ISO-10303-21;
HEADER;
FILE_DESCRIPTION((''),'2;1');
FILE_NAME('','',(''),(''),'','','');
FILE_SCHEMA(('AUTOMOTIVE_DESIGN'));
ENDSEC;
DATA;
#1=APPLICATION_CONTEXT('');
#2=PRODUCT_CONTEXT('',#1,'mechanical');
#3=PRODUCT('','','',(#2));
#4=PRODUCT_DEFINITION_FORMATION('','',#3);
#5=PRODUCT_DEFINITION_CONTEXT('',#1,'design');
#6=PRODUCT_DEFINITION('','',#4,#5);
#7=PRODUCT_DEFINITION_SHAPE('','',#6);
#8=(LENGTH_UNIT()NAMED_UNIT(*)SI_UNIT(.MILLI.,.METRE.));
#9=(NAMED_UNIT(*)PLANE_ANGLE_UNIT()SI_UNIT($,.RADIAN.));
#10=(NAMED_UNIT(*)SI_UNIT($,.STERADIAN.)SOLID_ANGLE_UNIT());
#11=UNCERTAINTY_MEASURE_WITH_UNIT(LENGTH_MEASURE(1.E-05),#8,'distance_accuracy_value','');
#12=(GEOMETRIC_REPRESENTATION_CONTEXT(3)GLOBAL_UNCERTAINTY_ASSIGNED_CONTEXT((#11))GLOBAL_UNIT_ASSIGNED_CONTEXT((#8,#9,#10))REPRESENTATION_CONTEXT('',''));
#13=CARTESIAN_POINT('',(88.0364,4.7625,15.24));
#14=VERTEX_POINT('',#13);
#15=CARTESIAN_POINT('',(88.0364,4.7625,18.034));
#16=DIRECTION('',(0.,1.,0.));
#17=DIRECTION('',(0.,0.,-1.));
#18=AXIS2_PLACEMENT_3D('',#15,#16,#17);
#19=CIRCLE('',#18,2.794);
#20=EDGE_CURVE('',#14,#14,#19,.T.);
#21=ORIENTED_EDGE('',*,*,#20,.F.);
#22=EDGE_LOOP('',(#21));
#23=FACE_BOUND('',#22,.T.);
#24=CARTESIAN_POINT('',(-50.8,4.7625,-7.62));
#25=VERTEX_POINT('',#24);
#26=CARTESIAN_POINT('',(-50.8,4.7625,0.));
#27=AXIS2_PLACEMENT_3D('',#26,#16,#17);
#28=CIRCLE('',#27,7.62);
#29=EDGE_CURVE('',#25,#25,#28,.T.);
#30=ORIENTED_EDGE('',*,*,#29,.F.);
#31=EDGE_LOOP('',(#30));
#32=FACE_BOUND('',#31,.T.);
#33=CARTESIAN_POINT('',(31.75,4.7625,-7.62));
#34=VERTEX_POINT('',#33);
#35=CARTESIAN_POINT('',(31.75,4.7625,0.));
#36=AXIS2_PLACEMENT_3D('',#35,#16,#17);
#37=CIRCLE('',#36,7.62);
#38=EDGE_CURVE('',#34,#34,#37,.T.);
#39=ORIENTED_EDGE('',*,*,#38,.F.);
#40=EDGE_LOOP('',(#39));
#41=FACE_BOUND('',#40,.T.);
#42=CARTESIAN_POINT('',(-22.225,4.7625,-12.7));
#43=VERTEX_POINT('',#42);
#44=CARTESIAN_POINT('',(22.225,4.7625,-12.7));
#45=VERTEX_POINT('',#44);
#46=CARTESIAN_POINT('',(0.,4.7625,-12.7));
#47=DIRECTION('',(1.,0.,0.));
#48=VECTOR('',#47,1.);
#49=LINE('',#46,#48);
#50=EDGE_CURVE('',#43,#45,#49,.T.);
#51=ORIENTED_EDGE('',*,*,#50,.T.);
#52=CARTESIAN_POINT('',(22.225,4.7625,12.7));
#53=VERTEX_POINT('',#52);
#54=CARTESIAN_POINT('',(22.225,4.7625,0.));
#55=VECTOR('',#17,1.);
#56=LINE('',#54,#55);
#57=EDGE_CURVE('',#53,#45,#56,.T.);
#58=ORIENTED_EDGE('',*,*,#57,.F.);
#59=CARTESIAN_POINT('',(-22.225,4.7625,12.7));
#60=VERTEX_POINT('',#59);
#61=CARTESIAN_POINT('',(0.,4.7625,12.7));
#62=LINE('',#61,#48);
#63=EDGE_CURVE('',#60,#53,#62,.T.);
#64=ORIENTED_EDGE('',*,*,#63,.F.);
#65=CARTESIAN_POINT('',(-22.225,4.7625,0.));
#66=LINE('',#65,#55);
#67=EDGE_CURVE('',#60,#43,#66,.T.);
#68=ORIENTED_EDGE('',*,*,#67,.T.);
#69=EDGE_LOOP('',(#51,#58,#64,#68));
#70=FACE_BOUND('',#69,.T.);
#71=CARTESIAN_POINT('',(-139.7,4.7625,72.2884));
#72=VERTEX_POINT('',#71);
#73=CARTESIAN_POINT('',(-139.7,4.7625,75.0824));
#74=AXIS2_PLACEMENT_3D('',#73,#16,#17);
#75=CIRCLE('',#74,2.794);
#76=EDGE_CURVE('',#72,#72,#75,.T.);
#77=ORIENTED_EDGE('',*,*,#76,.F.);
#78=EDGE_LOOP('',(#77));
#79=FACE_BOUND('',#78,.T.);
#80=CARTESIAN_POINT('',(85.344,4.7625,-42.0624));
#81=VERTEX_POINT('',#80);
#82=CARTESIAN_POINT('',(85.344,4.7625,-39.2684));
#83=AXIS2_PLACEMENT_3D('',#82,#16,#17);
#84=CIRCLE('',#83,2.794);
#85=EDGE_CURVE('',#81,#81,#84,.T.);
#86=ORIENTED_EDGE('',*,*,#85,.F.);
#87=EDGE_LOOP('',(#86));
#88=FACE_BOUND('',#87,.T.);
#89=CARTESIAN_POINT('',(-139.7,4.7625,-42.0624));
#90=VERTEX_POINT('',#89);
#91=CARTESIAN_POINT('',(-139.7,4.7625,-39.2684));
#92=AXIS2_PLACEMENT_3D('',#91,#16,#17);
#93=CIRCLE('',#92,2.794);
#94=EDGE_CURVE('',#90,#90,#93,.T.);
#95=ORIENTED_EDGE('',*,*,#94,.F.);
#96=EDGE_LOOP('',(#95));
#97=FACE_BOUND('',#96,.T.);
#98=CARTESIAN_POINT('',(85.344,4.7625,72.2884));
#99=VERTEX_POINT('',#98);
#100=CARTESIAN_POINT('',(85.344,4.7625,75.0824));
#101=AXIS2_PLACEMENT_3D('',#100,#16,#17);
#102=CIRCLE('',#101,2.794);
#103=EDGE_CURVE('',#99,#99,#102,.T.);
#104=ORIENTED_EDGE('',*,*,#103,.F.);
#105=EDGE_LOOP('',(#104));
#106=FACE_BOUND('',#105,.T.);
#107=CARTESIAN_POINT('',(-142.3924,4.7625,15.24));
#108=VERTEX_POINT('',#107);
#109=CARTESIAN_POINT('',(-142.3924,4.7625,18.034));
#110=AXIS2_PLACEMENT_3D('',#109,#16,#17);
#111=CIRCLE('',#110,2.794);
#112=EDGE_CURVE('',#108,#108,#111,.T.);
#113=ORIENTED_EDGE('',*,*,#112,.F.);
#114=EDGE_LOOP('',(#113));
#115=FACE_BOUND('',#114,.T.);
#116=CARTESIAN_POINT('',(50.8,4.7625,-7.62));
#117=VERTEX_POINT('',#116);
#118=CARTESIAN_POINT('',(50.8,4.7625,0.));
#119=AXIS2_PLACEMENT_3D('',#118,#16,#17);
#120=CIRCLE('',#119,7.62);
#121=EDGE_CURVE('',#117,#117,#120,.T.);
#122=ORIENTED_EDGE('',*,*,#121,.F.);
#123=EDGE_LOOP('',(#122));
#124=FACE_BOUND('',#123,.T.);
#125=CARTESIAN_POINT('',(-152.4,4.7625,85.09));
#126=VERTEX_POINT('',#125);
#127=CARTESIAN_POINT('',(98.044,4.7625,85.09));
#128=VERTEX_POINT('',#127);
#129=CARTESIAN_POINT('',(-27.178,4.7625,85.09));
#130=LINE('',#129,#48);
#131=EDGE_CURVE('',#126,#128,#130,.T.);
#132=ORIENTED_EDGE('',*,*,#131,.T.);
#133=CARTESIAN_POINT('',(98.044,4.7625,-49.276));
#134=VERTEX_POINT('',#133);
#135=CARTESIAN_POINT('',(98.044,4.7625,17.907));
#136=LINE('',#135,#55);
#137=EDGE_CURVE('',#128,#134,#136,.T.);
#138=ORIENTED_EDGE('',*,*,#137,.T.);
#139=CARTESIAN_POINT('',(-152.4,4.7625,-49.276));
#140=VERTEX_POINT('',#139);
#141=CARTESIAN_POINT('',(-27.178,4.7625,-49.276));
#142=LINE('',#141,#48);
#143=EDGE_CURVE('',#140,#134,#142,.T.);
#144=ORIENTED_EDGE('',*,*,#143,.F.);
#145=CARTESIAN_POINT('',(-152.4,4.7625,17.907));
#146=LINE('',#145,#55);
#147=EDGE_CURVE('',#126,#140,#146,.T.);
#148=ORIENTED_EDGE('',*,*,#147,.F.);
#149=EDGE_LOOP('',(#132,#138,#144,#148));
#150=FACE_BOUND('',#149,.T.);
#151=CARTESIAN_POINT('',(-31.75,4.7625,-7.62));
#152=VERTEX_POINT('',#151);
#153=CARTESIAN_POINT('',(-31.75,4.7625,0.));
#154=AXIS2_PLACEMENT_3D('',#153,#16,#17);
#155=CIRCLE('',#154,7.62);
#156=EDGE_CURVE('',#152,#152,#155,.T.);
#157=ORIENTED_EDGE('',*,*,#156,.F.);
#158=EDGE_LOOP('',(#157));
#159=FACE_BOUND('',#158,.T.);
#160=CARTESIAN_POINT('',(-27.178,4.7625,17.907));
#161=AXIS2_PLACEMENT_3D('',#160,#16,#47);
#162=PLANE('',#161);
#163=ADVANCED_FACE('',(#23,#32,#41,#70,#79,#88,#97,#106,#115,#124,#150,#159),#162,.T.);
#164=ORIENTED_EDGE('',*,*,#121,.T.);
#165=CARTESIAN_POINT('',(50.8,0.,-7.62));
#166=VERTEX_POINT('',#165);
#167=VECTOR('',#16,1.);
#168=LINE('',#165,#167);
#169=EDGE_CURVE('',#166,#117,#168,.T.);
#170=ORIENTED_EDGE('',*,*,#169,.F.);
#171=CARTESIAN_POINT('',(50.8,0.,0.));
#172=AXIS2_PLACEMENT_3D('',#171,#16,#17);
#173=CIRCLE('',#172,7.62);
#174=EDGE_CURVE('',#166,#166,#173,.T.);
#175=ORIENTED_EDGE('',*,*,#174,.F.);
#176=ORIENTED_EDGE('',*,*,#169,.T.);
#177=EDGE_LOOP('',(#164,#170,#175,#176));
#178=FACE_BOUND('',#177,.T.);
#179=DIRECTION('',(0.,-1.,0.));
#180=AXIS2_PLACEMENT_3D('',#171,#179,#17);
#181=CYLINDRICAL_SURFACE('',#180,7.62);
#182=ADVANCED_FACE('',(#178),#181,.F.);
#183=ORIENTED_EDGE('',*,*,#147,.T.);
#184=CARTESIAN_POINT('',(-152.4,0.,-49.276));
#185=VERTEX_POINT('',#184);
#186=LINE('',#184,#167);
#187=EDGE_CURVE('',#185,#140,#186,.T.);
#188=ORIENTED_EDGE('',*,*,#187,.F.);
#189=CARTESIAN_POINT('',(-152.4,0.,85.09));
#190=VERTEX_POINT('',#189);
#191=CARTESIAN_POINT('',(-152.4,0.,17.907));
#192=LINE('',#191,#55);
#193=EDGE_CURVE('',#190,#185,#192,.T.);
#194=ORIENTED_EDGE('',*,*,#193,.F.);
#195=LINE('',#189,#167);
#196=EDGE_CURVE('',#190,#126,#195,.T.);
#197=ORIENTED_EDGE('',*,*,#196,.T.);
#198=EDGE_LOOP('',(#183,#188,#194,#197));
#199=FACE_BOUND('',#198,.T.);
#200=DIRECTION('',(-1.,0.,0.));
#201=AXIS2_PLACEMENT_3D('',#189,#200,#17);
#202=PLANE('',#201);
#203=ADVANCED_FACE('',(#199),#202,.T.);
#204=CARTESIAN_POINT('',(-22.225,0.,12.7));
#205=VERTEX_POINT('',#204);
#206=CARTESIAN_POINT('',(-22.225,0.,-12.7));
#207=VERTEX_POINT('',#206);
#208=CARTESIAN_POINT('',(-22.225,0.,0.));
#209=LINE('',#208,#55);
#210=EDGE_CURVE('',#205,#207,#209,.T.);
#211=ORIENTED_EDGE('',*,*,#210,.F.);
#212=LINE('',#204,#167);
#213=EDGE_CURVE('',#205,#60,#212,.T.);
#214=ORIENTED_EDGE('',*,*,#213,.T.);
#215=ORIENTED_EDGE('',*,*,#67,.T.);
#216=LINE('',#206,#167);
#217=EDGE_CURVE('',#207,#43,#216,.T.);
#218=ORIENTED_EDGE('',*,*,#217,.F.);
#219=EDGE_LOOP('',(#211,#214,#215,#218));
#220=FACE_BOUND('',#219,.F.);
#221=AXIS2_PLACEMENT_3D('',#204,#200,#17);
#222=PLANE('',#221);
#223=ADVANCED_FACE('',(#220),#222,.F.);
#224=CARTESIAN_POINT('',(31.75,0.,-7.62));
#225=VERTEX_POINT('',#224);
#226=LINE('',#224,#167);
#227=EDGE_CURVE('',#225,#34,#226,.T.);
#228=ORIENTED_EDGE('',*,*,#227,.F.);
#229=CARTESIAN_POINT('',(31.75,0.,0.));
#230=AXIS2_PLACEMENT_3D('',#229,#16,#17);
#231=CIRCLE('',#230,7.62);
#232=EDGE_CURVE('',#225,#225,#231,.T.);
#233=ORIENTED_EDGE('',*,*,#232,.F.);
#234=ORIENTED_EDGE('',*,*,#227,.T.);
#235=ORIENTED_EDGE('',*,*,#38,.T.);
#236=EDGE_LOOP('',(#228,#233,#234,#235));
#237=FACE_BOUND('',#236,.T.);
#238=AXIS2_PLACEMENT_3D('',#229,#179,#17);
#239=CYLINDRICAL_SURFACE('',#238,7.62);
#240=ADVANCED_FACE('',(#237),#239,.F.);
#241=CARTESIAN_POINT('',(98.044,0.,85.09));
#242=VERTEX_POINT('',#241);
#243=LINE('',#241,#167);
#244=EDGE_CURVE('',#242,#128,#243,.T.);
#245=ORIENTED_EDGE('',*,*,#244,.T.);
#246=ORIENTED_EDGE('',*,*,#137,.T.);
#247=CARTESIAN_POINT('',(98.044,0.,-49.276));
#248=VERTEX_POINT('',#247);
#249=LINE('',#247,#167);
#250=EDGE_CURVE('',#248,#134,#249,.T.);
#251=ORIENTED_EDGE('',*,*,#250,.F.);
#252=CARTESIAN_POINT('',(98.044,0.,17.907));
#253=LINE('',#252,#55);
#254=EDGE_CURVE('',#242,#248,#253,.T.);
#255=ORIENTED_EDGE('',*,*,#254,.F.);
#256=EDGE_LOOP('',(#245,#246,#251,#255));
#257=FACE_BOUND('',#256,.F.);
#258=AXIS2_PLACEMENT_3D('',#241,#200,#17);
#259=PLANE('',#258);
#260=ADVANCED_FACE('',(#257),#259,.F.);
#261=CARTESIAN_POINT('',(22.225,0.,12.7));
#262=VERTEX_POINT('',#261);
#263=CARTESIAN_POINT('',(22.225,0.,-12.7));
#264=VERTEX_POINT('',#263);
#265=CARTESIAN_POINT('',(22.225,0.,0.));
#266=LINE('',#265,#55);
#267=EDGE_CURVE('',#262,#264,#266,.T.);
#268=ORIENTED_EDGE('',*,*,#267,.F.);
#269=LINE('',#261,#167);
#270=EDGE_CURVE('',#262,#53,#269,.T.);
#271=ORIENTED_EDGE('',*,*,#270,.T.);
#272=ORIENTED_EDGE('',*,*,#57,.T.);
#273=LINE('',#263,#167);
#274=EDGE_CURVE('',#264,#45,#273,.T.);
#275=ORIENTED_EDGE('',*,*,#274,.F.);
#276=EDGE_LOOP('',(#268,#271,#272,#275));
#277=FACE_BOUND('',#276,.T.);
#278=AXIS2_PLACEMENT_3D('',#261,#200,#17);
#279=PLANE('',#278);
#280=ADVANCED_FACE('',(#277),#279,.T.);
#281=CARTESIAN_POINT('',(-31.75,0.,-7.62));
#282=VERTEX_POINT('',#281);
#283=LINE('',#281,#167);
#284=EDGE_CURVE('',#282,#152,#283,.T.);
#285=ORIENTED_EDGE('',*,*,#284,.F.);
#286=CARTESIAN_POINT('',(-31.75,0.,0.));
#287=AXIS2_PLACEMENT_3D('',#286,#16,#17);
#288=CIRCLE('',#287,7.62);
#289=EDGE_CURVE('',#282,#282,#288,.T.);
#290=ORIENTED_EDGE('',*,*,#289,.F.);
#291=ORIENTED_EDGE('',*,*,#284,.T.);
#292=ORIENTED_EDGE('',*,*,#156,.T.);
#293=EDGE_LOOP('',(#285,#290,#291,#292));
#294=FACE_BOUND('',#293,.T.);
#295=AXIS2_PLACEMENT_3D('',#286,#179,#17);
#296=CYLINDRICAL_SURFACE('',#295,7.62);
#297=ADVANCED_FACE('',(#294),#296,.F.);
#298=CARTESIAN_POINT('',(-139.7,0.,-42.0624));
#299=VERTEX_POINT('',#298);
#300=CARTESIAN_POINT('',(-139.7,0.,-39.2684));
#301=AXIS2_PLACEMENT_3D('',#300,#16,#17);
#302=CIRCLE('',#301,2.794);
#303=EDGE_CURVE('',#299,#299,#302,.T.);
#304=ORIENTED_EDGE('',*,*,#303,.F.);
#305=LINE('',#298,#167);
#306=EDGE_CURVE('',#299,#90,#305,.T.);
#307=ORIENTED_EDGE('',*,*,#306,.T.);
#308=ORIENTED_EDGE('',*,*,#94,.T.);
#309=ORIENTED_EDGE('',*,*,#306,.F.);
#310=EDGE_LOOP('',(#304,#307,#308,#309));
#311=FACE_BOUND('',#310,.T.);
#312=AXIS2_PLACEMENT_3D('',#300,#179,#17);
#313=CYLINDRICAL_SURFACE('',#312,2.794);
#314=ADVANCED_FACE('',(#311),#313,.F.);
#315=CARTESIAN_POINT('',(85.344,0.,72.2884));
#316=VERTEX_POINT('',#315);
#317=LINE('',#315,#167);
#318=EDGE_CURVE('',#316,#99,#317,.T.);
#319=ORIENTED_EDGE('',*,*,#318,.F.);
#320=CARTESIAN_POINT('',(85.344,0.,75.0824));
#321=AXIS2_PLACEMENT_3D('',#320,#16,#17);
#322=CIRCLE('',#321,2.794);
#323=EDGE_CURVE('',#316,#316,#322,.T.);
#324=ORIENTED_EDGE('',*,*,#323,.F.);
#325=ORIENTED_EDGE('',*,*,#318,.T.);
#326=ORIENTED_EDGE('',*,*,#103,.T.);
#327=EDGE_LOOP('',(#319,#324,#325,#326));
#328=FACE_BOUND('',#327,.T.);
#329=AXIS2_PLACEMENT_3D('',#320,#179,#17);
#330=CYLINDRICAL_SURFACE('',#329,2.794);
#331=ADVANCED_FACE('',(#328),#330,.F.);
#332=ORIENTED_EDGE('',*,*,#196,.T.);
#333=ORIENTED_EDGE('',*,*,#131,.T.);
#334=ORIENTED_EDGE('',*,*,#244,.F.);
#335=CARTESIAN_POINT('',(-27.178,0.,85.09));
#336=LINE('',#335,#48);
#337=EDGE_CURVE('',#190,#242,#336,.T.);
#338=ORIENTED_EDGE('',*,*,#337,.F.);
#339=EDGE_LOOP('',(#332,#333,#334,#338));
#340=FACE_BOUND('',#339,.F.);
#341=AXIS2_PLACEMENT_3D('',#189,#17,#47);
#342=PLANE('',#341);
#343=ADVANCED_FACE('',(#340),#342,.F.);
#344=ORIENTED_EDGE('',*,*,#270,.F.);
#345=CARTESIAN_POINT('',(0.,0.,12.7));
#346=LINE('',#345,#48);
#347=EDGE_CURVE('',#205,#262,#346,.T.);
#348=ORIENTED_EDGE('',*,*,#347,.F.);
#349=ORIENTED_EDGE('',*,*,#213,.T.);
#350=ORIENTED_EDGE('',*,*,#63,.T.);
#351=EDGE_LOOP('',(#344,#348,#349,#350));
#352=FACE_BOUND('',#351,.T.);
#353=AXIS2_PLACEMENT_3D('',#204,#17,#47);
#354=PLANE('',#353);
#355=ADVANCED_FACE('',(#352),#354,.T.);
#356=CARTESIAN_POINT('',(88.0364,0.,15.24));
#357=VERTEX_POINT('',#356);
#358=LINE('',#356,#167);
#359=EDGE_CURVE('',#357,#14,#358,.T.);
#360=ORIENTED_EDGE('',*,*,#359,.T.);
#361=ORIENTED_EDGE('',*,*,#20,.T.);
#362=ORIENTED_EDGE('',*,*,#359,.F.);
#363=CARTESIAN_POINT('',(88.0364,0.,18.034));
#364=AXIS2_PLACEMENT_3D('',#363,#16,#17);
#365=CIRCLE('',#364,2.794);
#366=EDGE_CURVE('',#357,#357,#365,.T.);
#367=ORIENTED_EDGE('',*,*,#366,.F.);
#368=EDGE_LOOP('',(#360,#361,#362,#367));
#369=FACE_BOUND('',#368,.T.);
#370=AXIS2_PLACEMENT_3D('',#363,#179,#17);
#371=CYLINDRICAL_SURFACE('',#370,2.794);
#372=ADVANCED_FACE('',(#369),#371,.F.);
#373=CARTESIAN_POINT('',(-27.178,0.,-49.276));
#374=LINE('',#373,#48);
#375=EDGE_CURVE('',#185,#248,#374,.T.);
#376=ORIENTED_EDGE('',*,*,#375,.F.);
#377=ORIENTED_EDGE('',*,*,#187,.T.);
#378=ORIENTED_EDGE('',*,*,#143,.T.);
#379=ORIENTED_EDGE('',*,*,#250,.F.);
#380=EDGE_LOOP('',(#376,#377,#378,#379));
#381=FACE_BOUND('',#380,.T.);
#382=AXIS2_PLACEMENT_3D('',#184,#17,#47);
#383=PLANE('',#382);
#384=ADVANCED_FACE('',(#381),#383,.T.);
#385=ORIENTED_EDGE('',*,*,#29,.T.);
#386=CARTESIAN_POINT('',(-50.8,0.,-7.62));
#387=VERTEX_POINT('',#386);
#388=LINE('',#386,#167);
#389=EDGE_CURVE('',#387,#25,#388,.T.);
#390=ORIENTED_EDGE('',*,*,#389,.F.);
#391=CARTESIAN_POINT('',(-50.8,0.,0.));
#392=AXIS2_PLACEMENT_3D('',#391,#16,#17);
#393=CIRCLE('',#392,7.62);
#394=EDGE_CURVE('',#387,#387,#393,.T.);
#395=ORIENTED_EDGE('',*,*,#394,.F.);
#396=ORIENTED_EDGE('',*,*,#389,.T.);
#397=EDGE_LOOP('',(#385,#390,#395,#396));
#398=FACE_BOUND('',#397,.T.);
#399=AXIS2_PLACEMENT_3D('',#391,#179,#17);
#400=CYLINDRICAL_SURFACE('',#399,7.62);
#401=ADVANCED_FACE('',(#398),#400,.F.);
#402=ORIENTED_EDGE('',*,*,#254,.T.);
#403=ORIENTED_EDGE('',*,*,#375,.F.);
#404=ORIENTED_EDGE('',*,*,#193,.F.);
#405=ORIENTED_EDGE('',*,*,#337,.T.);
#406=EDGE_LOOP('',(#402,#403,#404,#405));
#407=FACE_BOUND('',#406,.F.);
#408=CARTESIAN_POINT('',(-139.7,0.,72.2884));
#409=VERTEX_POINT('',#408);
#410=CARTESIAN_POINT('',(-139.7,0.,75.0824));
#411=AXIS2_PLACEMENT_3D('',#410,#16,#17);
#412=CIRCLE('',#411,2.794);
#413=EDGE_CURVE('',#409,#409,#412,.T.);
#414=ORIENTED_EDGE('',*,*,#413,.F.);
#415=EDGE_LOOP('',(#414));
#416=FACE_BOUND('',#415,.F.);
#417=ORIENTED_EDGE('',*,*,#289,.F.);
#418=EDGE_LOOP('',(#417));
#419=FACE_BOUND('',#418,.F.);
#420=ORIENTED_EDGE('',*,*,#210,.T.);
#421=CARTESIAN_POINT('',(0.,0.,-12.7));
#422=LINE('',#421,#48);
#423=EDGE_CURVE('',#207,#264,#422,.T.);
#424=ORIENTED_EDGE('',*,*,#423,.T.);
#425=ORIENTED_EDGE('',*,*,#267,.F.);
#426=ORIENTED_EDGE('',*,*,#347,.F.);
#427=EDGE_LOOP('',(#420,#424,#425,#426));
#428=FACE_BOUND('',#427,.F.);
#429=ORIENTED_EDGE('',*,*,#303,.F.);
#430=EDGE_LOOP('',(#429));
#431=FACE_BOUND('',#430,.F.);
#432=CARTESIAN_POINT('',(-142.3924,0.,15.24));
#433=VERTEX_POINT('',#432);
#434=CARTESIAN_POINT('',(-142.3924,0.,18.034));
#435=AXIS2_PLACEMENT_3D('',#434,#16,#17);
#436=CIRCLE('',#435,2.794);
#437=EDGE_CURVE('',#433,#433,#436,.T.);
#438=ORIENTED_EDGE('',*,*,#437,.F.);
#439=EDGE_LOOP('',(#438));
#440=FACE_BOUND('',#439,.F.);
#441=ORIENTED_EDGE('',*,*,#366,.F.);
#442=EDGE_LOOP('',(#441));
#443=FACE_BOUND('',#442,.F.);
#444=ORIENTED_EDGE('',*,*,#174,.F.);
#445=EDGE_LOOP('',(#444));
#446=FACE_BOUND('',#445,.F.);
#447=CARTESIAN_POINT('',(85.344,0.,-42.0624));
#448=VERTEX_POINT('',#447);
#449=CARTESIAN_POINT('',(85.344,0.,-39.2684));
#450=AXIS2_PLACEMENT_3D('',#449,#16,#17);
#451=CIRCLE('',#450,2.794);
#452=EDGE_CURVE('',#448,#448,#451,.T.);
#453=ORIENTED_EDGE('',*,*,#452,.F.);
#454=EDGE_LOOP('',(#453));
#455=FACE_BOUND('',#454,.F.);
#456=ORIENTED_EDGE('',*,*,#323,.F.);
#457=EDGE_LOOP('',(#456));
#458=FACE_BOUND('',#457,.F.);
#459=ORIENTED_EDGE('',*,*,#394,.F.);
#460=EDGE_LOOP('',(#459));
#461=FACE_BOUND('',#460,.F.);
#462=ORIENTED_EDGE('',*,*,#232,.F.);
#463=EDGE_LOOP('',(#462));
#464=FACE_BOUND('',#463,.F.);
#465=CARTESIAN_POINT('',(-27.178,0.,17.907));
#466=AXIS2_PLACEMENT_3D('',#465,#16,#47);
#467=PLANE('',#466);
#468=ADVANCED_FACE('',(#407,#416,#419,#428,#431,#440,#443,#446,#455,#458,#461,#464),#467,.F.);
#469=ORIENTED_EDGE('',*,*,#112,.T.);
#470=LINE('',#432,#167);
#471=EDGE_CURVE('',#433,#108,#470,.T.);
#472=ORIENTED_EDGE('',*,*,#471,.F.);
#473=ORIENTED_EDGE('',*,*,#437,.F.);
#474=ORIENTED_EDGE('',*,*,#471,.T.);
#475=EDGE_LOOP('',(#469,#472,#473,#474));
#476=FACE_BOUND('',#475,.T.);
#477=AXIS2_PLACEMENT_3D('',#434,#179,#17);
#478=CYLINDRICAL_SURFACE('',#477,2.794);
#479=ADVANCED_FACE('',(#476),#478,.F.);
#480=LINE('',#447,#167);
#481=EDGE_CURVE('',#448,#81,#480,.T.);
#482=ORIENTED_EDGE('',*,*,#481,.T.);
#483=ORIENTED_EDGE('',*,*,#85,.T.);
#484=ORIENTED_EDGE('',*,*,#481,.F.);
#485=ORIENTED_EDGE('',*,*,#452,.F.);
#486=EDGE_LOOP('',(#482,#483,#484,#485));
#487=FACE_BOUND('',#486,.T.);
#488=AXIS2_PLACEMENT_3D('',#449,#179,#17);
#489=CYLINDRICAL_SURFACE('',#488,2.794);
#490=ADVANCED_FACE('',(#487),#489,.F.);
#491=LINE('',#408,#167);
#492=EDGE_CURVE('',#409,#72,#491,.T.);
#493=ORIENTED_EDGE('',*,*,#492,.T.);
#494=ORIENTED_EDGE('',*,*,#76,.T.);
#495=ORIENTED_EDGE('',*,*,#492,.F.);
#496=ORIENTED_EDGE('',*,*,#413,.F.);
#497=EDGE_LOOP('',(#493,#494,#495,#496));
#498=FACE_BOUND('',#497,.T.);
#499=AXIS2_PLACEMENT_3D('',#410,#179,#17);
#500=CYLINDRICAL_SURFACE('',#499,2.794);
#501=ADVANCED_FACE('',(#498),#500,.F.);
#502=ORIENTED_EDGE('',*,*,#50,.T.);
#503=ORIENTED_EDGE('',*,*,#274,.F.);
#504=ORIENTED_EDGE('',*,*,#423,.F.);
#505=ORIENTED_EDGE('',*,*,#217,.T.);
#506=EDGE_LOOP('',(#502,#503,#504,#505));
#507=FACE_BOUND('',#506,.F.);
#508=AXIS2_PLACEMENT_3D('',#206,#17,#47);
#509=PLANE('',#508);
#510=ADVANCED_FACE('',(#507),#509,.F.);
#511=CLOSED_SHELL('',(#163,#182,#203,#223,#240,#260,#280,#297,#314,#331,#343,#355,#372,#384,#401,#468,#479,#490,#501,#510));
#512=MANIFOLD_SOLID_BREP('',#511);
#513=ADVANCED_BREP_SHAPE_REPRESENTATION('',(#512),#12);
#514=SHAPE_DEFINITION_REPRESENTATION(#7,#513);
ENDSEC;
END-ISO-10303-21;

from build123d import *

# Parameters (mm, degrees)
SKETCH1_W           = 250.444
SKETCH1_H           = 134.366
SKETCH1_R           = 7.62
SKETCH1_R_2         = 2.794
SKETCH1_W_2         = 44.45
SKETCH1_H_2         = 25.4
BOSS_EXTRUDE1_DEPTH = 4.7625


with BuildPart() as part:
    # Sketch1 → Boss-Extrude1 (new body)
    with BuildSketch(Plane(origin=(0, 0, 0), x_dir=(1, 0, 0), z_dir=(0, 1, 0))):
        with Locations((-27.178, -17.907)):
            Rectangle(SKETCH1_W, SKETCH1_H)
        with Locations(Location((-50.8, 0, 0), (0, 0, 90))):
            Circle(SKETCH1_R, mode=Mode.SUBTRACT)
        with Locations(Location((-31.75, 0, 0), (0, 0, 90))):
            Circle(SKETCH1_R, mode=Mode.SUBTRACT)
        with Locations(Location((31.75, 0, 0), (0, 0, 90))):
            Circle(SKETCH1_R, mode=Mode.SUBTRACT)
        with Locations(Location((50.8, 0, 0), (0, 0, 90))):
            Circle(SKETCH1_R, mode=Mode.SUBTRACT)
        with Locations(Location((-139.7, 39.2684, 0), (0, 0, 90))):
            Circle(SKETCH1_R_2, mode=Mode.SUBTRACT)
        with Locations(Location((85.344, 39.2684, 0), (0, 0, 90))):
            Circle(SKETCH1_R_2, mode=Mode.SUBTRACT)
        with Locations(Location((88.0364, -18.034, 0), (0, 0, 90))):
            Circle(SKETCH1_R_2, mode=Mode.SUBTRACT)
        with Locations(Location((85.344, -75.0824, 0), (0, 0, 90))):
            Circle(SKETCH1_R_2, mode=Mode.SUBTRACT)
        with Locations(Location((-139.7, -75.0824, 0), (0, 0, 90))):
            Circle(SKETCH1_R_2, mode=Mode.SUBTRACT)
        with Locations(Location((-142.3924, -18.034, 0), (0, 0, 90))):
            Circle(SKETCH1_R_2, mode=Mode.SUBTRACT)
        Rectangle(SKETCH1_W_2, SKETCH1_H_2, mode=Mode.SUBTRACT)
    extrude(amount=BOSS_EXTRUDE1_DEPTH)


solid = part.part
